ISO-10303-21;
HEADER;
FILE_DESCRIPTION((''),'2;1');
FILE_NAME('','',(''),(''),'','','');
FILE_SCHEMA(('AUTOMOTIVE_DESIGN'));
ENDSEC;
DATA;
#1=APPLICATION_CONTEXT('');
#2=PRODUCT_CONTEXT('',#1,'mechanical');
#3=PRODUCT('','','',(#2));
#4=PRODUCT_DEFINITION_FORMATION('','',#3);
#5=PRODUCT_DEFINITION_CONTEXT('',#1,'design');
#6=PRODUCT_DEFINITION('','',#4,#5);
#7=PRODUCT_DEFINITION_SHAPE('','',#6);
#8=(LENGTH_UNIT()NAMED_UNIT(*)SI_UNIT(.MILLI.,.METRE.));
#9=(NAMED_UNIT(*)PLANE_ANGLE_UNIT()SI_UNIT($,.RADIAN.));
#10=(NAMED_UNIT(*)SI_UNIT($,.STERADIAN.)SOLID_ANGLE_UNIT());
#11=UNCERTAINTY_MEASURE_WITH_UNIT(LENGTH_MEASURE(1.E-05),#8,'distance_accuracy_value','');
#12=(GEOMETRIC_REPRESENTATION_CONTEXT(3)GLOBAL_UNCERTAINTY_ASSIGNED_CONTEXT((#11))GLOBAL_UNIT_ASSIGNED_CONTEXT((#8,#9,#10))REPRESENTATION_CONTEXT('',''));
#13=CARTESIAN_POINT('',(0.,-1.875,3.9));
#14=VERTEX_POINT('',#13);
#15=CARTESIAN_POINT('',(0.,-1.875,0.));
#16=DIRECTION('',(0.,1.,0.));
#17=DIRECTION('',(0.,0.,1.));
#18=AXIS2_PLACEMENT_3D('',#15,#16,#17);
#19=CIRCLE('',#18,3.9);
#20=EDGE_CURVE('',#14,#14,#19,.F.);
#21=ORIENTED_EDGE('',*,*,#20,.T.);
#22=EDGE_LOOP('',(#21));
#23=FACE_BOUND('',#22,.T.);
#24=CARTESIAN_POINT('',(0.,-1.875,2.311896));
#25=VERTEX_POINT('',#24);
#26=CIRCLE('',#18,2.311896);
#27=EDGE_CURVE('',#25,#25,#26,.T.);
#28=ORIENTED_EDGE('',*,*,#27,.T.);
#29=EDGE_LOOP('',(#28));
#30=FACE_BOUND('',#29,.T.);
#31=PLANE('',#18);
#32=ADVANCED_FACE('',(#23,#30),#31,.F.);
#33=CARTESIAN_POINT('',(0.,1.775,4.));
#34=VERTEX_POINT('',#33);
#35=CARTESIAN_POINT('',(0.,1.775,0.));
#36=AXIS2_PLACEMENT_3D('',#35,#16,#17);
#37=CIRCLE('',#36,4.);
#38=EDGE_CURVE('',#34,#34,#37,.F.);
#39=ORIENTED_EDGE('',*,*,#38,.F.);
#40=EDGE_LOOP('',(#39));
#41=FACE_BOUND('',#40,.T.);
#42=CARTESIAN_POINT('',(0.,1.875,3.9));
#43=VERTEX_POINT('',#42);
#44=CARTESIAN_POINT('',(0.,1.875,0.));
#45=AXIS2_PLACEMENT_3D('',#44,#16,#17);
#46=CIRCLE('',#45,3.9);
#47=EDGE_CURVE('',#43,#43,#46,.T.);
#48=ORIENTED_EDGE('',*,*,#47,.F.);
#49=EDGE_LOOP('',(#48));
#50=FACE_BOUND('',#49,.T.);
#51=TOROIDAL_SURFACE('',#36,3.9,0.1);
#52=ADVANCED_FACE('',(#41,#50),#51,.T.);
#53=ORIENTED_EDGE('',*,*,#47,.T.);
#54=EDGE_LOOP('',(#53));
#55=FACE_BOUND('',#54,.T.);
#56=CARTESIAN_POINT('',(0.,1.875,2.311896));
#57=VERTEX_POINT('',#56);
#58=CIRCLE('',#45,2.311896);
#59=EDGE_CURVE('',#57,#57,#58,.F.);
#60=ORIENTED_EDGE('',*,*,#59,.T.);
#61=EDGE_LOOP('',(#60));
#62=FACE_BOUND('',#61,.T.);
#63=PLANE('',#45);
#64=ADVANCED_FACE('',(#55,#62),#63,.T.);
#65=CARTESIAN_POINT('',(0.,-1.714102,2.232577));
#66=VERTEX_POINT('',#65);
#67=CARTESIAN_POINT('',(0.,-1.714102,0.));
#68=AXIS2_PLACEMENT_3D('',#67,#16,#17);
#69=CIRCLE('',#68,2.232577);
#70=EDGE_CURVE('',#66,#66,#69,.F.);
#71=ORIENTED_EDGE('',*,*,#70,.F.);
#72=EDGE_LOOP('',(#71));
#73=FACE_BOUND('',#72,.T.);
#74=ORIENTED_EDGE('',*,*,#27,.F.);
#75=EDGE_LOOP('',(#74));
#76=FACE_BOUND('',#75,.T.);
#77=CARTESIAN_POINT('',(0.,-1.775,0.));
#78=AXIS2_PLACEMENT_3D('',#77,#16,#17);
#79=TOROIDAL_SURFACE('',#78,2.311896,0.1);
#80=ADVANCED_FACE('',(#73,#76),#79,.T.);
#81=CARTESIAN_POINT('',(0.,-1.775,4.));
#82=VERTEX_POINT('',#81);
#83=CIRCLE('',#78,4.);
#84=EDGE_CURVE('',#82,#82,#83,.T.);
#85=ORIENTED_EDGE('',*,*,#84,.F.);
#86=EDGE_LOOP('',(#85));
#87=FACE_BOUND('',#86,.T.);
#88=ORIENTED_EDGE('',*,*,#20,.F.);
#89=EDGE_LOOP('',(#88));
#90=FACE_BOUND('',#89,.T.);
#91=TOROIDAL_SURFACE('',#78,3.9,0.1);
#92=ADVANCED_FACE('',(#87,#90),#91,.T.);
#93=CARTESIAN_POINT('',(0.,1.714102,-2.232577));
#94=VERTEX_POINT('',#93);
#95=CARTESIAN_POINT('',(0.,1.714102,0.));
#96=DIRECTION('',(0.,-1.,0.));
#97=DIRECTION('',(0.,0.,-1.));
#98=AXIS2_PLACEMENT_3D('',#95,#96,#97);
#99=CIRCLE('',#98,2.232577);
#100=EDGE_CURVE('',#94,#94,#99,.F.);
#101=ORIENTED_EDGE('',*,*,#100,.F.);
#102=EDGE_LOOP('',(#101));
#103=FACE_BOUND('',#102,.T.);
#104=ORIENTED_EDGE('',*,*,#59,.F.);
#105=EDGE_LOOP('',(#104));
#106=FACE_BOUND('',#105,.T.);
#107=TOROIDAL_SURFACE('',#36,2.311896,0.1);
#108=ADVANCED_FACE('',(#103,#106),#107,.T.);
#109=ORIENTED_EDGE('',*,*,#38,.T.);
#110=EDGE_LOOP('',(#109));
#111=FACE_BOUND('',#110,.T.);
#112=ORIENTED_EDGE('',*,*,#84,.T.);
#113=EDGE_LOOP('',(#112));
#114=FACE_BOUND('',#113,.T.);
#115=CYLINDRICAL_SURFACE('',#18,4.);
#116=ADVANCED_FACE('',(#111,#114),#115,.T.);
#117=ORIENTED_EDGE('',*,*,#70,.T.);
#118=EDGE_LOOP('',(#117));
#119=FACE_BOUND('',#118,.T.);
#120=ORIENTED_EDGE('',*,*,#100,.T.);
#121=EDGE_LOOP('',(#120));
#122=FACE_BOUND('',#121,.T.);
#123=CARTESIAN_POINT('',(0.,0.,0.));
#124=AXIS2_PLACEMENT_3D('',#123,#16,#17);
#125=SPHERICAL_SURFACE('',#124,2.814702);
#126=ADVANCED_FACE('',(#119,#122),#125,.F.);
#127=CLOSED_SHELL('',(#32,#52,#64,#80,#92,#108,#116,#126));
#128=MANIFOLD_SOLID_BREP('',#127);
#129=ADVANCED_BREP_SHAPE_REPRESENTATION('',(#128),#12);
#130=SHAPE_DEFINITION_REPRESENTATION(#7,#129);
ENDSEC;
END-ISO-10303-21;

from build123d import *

# Parameters (mm, degrees)
BOSS_EXTRUDE1_DEPTH      = 1.875
BOSS_EXTRUDE1_DEPTH_BACK = 1.875
SKETCH2_R                = 4
SKETCH2_R_2              = 2
FILLET1_R                = 0.1


with BuildPart() as part:
    # Sketch2 → Boss-Extrude1 (new, two sides: drawn at the far end of the back side and taken through both)
    with BuildSketch(Plane(origin=(0, 0, 0), x_dir=(1, 0, 0), z_dir=(0, 1, 0)).offset(-BOSS_EXTRUDE1_DEPTH_BACK)):
        Circle(SKETCH2_R)
        Circle(SKETCH2_R_2, mode=Mode.SUBTRACT)
    extrude(amount=BOSS_EXTRUDE1_DEPTH + BOSS_EXTRUDE1_DEPTH_BACK)


with BuildPart() as body_2:
    # Sketch4 → Revolve1 (revolve)
    with BuildSketch(Plane(origin=(0, 0, 0), x_dir=(1, 0, 0), z_dir=(0, 1, 0))):
        with BuildLine():
            Line((0, 2.81470199), (0, -2.81470199))
            ThreePointArc((0, -2.81470199), (-2.81470199, 0), (0, 2.81470199))
        make_face()
    revolve(axis=Axis((0, 0, -2.81470199), (0, 0, 1)))


with BuildPart() as part_1:
    add(part.part)

    # Combine2: cut body 2
    add(body_2.part, mode=Mode.SUBTRACT)

    # Fillet1
    fillet1_edges = [part_1.edges().sort_by_distance(p)[0] for p in [
        (-4, -1.875, 0),
        (-4, 1.875, 0),
        (0, -1.875, -2.099267085),
        (0, 1.875, -2.099267085),
    ]]
    fillet(fillet1_edges, radius=FILLET1_R)


solid = part_1.part
